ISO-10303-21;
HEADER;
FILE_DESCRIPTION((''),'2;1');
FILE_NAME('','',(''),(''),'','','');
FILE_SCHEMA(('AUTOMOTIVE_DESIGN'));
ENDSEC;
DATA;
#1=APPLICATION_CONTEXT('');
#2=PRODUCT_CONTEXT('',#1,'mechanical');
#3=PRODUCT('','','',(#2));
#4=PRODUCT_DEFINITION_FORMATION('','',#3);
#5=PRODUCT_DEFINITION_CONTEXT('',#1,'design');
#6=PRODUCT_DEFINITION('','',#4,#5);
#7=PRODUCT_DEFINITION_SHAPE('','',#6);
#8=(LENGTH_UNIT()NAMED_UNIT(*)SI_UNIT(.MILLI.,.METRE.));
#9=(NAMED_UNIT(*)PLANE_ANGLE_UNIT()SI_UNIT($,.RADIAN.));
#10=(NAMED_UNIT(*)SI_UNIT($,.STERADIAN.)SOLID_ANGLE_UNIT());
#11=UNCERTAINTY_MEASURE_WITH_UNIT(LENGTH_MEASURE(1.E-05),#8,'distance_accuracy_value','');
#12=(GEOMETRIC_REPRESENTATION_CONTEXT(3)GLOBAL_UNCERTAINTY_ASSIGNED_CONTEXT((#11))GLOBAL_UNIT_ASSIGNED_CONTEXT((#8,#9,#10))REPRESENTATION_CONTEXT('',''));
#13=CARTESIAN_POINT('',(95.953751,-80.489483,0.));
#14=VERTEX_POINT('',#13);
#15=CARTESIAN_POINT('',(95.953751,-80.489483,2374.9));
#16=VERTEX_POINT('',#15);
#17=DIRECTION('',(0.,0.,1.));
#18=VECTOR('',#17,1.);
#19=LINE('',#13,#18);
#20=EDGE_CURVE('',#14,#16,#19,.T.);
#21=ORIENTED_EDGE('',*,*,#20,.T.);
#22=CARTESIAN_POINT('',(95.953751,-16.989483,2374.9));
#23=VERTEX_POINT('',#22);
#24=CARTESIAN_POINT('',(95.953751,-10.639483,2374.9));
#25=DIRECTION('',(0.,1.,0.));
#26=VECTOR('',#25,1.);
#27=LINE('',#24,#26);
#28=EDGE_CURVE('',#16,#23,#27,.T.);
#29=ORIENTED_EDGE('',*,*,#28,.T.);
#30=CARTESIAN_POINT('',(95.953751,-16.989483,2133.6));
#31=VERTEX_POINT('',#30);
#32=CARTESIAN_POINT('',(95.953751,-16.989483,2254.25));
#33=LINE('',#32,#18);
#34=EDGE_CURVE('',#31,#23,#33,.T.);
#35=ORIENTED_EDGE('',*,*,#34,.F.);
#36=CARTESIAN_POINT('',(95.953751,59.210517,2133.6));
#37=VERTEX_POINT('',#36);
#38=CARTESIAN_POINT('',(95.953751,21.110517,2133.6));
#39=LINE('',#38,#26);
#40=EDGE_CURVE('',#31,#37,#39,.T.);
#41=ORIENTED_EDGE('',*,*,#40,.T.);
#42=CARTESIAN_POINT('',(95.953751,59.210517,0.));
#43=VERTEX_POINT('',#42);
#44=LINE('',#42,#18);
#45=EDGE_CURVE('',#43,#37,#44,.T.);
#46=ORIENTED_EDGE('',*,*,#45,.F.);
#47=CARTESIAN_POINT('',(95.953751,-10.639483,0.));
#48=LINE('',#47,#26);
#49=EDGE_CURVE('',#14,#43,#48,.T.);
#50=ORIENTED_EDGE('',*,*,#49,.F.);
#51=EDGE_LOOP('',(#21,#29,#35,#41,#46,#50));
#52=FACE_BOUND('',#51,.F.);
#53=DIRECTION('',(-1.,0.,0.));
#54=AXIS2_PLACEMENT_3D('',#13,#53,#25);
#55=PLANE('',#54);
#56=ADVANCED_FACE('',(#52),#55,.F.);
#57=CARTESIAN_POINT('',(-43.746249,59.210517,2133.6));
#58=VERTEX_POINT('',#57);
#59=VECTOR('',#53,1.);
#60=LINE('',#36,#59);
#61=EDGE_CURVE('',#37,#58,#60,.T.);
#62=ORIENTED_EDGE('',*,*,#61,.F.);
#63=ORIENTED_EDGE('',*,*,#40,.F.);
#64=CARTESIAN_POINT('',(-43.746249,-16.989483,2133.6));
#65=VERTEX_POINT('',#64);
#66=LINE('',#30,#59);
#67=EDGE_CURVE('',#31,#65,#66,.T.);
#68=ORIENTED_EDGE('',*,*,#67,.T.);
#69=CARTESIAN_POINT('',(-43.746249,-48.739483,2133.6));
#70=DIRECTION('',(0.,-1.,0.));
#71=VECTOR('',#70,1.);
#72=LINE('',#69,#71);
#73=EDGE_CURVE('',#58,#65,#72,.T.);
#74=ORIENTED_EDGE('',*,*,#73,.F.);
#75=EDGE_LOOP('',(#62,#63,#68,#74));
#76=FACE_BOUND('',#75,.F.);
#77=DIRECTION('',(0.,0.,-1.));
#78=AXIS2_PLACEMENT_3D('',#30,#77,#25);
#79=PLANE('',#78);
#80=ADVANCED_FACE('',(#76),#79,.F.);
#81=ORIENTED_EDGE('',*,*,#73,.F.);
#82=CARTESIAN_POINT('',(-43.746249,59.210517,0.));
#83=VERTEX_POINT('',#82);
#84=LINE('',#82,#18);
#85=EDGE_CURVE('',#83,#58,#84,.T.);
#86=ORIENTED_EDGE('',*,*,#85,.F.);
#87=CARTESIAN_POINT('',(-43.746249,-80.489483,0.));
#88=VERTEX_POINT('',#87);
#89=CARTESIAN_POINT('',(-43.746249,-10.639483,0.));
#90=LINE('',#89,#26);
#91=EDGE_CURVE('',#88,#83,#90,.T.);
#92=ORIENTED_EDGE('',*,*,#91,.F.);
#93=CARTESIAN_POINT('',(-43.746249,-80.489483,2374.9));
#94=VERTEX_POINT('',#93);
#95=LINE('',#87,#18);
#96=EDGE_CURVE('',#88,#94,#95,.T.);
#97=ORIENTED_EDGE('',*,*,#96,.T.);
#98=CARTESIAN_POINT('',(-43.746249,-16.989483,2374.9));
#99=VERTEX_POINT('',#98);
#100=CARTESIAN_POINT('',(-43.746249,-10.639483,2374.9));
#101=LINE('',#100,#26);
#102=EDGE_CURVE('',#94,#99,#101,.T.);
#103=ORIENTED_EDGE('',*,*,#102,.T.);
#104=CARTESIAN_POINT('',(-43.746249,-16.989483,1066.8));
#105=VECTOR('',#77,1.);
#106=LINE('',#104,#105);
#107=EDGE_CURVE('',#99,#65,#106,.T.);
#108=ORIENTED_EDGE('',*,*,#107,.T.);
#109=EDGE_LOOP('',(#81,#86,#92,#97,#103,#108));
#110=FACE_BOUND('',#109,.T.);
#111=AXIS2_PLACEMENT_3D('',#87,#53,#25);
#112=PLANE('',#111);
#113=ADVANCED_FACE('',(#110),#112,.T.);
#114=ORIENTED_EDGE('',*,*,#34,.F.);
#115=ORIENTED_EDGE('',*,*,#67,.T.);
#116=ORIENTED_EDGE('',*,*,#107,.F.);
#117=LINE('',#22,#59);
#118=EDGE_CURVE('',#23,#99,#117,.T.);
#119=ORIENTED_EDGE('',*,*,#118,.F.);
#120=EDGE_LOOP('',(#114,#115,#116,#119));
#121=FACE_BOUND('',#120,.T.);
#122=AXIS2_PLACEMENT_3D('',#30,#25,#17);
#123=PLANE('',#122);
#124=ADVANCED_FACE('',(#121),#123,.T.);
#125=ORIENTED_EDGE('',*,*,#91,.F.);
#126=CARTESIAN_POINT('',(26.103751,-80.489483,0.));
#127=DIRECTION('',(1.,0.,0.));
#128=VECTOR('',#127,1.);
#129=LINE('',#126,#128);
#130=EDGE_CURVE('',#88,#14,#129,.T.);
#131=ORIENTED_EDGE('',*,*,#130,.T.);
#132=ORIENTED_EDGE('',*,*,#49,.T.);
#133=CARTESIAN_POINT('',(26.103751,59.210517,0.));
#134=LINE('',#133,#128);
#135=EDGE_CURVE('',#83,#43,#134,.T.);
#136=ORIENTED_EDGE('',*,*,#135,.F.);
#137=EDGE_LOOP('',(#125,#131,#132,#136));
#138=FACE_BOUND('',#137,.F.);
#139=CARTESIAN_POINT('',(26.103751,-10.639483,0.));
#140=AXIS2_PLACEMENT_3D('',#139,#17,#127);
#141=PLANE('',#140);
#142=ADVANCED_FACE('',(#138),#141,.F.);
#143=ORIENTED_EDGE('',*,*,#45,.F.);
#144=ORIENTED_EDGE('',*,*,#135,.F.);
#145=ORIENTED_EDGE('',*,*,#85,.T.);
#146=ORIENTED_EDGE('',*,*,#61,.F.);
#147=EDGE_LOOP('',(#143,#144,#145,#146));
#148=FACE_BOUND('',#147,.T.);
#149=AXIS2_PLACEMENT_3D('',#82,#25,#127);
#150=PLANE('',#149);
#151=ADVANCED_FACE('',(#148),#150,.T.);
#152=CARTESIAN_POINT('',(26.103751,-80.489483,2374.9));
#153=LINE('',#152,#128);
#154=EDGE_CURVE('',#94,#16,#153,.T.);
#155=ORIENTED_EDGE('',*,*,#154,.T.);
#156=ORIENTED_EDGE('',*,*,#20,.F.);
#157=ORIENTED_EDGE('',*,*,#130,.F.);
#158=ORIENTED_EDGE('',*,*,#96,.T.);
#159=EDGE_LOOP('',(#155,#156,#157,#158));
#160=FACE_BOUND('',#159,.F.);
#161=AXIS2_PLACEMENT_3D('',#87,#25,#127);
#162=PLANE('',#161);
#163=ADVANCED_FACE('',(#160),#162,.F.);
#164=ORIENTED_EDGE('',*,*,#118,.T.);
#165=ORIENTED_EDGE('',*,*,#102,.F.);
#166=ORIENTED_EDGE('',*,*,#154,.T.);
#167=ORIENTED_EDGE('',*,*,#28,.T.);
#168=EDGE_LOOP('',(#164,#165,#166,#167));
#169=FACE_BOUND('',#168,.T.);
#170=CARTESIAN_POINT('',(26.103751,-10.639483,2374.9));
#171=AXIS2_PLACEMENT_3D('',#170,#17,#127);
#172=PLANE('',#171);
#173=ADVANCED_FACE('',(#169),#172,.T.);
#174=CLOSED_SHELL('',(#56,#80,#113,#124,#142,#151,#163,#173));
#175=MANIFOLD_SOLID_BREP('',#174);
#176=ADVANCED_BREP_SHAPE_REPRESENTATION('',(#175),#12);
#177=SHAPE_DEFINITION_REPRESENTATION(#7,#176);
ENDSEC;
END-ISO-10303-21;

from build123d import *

# Parameters (mm, degrees)
F0_W     = 139.7
F0_H     = 139.7
F1_DEPTH = 2374.9
F2_W     = 76.2
F2_H     = 241.3
F3_DEPTH = 139.701


with BuildPart() as f1:
    # F0 (on Top) → F1 (new body)
    with BuildSketch(Plane.XY):
        with Locations((26.103751, -10.639483)):
            Rectangle(F0_W, F0_H)
    extrude(amount=F1_DEPTH)

    # F2 (on face) → F3 (cut, through all)
    with BuildSketch(Plane.YZ.offset(95.953751)):
        with Locations((21.110517, 2254.25)):
            Rectangle(F2_W, F2_H)
    extrude(amount=-F3_DEPTH, mode=Mode.SUBTRACT)


solid = f1.part
